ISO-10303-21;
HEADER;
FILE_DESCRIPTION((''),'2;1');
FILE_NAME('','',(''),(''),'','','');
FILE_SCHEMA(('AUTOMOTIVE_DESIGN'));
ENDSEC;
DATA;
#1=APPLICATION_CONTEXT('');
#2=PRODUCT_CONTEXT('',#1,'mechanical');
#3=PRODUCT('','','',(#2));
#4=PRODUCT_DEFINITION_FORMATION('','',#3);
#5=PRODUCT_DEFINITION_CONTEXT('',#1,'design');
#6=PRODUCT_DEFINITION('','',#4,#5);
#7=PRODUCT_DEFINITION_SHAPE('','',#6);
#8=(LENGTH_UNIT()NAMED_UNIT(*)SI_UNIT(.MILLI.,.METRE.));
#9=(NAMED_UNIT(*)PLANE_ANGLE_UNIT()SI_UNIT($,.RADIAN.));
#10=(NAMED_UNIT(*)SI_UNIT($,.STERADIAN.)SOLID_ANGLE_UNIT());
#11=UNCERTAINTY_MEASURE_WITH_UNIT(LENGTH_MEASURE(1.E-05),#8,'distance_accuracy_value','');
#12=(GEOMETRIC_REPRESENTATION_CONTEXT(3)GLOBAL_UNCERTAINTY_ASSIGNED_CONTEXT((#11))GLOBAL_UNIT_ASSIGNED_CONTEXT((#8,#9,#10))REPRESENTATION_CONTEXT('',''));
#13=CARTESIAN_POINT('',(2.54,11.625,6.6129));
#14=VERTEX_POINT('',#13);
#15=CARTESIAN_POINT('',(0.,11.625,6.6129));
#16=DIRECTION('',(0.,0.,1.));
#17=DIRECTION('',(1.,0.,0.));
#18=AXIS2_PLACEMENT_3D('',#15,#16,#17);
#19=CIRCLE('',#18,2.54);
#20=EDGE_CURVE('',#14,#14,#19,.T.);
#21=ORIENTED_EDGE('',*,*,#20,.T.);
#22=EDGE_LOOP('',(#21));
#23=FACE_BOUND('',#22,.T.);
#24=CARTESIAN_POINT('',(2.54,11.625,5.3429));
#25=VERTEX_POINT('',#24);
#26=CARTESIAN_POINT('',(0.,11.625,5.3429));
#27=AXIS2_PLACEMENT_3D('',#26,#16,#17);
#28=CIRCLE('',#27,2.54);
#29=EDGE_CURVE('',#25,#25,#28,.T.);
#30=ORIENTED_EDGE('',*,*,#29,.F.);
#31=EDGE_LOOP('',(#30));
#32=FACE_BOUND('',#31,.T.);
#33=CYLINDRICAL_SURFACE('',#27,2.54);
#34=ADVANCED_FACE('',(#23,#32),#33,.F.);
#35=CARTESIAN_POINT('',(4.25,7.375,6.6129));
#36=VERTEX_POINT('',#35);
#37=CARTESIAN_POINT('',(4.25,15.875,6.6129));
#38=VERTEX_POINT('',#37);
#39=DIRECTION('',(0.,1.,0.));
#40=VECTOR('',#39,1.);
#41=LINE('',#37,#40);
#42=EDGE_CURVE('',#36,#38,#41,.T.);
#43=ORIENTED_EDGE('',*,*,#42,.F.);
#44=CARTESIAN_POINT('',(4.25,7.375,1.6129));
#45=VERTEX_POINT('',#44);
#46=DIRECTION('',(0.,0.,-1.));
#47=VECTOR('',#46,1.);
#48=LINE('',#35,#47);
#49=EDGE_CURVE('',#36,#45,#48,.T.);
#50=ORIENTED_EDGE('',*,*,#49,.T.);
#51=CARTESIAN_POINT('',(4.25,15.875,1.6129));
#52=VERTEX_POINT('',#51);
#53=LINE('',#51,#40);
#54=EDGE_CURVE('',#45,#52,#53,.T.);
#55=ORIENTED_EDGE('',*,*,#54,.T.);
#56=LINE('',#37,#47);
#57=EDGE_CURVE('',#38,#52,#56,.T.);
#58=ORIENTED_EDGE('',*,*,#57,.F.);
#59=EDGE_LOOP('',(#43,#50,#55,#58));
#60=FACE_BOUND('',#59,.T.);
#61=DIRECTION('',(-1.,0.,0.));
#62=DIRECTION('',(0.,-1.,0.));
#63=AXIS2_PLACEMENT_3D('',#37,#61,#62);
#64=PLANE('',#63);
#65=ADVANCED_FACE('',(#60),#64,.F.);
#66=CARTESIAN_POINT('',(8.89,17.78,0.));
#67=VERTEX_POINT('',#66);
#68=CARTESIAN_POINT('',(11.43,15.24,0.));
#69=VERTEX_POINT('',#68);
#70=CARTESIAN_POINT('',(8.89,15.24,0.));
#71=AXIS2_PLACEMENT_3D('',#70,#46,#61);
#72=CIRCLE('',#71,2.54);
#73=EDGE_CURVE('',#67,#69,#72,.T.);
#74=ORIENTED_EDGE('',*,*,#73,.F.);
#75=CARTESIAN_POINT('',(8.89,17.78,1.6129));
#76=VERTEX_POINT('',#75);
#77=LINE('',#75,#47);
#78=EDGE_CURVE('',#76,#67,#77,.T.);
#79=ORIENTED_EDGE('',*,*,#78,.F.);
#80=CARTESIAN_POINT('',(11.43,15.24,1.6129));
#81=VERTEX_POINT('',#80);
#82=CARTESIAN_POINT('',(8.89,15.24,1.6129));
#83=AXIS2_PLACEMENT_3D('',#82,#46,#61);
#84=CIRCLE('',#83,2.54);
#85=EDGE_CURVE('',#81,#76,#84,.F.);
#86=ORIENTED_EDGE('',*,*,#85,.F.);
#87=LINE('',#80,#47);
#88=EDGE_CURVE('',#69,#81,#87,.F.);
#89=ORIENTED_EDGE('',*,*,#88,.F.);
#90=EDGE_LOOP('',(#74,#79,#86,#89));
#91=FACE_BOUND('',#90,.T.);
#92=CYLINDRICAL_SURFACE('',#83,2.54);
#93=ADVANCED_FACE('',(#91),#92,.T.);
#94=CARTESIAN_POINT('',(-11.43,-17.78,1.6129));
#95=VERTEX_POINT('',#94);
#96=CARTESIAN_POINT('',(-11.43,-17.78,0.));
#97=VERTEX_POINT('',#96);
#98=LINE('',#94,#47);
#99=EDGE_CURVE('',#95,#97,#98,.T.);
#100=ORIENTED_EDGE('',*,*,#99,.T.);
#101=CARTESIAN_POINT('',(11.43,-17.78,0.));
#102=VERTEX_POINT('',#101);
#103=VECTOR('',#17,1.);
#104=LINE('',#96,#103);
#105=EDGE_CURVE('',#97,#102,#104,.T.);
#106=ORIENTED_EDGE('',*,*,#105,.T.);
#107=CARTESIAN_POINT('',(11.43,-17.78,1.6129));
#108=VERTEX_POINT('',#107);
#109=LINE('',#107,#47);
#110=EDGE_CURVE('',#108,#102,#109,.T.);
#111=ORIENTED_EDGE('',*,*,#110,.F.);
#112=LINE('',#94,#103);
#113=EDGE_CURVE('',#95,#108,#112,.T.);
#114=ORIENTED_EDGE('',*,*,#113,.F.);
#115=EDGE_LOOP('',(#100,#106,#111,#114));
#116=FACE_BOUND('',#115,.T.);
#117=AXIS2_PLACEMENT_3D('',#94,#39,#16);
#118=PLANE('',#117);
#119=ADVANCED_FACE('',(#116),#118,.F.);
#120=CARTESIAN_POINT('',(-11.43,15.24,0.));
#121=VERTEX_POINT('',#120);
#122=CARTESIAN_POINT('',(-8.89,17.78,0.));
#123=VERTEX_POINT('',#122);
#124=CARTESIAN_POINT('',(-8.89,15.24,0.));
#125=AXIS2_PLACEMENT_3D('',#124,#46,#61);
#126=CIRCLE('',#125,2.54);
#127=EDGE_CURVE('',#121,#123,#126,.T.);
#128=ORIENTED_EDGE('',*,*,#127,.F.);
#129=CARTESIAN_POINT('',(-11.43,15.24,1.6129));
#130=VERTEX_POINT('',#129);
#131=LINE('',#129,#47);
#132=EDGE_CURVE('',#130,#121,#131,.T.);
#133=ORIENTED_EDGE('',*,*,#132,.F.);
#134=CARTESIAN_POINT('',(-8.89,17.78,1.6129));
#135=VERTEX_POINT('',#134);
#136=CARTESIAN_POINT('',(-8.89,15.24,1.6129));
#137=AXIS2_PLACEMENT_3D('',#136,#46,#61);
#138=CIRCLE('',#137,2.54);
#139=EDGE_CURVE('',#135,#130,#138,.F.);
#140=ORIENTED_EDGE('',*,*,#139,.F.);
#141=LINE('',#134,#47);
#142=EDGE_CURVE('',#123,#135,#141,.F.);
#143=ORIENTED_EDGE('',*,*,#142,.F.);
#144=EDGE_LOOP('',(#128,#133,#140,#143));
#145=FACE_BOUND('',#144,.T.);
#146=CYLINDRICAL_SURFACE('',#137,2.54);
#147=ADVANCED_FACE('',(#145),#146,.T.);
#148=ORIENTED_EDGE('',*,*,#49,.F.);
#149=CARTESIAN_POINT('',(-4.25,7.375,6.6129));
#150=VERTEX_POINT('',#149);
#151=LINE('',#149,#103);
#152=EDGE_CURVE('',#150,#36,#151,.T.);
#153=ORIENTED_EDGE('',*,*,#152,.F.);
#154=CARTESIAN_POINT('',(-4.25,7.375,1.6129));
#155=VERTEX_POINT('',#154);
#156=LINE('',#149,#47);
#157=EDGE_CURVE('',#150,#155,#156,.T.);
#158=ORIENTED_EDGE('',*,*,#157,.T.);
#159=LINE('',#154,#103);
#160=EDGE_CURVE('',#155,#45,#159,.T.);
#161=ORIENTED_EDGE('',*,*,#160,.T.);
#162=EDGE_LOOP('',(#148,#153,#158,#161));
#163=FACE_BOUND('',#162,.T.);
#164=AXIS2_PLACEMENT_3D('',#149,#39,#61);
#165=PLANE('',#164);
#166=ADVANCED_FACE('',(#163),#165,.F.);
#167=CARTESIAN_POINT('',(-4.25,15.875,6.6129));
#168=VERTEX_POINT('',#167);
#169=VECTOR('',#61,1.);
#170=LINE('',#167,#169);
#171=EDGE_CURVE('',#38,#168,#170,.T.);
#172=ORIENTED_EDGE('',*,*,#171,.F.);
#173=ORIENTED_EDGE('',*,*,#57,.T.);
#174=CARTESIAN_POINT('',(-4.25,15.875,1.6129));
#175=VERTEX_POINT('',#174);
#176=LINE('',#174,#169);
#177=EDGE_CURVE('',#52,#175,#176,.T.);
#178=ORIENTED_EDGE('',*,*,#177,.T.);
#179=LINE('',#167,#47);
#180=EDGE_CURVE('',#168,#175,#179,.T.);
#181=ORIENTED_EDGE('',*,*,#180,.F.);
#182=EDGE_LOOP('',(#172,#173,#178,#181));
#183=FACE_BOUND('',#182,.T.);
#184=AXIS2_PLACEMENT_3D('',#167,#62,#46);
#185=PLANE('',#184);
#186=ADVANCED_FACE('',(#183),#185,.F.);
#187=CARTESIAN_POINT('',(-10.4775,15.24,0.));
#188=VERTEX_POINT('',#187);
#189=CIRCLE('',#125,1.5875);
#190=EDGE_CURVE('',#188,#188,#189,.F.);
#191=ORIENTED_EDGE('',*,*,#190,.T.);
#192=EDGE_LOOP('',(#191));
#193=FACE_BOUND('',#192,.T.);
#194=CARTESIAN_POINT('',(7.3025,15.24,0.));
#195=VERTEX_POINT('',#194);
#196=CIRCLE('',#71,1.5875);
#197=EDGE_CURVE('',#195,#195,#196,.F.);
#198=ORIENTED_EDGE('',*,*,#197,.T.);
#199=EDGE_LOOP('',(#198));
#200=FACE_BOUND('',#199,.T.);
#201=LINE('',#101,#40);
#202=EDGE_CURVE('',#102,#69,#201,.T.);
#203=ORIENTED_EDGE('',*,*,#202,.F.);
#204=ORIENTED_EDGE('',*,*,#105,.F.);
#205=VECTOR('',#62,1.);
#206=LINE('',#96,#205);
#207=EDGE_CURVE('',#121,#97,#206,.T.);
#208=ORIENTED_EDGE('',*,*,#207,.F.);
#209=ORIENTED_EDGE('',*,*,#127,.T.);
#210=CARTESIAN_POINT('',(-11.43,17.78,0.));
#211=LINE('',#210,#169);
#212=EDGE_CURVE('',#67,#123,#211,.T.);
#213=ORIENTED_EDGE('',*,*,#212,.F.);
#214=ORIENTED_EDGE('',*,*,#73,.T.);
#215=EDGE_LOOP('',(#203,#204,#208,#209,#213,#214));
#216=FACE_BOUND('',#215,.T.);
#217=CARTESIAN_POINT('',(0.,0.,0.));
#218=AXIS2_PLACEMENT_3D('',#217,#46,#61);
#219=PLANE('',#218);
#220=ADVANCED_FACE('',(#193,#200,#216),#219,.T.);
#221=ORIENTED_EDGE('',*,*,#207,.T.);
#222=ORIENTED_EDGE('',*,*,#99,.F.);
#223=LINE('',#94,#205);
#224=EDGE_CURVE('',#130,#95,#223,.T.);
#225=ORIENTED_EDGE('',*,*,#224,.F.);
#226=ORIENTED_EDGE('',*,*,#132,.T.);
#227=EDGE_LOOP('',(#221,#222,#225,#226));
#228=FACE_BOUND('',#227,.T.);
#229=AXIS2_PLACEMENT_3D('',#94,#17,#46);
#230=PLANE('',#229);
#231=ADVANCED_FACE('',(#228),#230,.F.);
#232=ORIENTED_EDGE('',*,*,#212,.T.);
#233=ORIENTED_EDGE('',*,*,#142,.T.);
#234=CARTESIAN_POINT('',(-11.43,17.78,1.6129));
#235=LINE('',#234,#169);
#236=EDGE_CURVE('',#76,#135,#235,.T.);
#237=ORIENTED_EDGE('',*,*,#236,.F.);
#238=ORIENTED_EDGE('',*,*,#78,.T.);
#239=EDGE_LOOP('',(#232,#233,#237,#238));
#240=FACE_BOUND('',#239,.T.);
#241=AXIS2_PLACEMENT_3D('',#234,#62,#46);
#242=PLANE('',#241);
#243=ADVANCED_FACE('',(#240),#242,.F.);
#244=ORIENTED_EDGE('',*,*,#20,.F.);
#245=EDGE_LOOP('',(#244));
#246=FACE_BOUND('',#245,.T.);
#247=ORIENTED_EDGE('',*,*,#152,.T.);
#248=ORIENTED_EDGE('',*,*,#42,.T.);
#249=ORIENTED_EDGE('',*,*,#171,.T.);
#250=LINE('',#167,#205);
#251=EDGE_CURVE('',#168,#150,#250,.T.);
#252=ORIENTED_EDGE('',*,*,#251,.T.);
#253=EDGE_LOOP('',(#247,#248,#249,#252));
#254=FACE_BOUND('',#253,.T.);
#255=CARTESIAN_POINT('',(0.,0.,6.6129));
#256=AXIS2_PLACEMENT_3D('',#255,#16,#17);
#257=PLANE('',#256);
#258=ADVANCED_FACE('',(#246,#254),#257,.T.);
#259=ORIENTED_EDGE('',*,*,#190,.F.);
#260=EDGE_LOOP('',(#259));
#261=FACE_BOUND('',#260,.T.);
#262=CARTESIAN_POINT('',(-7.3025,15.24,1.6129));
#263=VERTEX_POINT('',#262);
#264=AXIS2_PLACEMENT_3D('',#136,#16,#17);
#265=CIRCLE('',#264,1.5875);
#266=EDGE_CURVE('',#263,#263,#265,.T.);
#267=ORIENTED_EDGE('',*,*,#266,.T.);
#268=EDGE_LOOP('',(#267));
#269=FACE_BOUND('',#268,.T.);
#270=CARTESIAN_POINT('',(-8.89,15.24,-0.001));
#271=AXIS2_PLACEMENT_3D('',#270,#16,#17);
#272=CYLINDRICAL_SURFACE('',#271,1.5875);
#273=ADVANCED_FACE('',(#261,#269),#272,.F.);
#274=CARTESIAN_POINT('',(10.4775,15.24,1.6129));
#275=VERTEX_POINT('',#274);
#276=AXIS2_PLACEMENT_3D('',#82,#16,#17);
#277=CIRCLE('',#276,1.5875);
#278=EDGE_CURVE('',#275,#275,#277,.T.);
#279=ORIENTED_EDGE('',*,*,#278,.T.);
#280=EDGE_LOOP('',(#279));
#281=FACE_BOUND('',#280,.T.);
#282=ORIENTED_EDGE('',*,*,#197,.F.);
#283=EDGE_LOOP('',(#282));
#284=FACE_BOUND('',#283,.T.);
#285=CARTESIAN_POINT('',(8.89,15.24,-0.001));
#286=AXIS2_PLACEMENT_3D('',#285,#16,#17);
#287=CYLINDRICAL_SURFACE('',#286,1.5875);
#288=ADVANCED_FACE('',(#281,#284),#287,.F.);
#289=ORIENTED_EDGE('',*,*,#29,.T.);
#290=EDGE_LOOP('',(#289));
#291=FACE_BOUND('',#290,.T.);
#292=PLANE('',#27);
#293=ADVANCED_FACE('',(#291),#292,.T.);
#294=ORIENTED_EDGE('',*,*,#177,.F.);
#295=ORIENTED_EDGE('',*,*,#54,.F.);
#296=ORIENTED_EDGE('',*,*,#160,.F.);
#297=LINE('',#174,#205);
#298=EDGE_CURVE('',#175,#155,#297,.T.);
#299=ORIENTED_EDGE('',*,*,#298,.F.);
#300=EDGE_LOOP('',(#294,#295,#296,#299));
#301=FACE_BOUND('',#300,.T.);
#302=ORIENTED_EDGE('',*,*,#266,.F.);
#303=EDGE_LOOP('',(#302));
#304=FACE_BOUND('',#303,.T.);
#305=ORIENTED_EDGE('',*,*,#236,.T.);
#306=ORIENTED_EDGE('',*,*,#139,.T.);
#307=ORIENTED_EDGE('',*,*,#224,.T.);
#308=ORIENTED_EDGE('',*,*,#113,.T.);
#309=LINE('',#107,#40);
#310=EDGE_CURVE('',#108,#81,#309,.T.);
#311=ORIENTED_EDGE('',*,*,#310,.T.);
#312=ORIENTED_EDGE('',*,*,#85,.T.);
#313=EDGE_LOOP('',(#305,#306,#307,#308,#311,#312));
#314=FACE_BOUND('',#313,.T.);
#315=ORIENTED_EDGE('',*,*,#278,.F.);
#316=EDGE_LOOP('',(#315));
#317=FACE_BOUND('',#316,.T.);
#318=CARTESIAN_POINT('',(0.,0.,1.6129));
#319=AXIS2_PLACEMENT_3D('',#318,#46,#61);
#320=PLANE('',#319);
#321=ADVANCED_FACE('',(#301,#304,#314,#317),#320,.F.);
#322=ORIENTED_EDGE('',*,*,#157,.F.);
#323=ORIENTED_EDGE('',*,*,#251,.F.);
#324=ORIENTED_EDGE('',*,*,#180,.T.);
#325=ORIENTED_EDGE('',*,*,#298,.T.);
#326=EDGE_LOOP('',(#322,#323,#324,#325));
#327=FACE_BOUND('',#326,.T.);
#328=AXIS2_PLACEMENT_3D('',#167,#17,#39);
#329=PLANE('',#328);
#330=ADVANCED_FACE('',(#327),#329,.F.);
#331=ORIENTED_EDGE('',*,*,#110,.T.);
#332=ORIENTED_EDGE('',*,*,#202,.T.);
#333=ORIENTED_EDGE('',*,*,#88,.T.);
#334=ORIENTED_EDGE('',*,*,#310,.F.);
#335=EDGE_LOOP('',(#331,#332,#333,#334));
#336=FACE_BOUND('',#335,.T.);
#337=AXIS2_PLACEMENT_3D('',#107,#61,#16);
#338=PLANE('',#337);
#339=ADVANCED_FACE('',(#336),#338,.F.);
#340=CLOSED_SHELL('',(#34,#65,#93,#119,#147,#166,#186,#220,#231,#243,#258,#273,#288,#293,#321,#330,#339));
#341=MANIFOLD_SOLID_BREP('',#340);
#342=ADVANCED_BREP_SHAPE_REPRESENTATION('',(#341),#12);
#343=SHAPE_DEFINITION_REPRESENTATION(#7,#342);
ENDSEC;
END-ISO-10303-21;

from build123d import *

# Parameters (mm, degrees)
SKETCH1_W           = 22.86
SKETCH1_H           = 35.56
BOSS_EXTRUDE1_DEPTH = 1.6129
FILLET1_R           = 2.54
SKETCH2_W           = 8.5
SKETCH2_H           = 8.5
BOSS_EXTRUDE2_DEPTH = 5
CUT_EXTRUDE1_REACH  = 3.613
SKETCH3_R           = 1.5875
SKETCH4_R           = 2.54
CUT_EXTRUDE2_DEPTH  = 1.27


with BuildPart() as part:
    # Sketch1 → Boss-Extrude1 (new body)
    with BuildSketch(Plane.XY):
        Rectangle(SKETCH1_W, SKETCH1_H)
    extrude(amount=BOSS_EXTRUDE1_DEPTH)

    # Fillet1
    fillet1_edges = [part.edges().sort_by_distance(p)[0] for p in [
        (-11.43, 17.78, 0.80645),
        (11.43, 17.78, 0.80645),
    ]]
    fillet(fillet1_edges, radius=FILLET1_R)

    # Sketch2 → Boss-Extrude2 (add)
    with BuildSketch(Plane.XY.offset(1.6129)):
        with Locations((0, 11.625)):
            Rectangle(SKETCH2_W, SKETCH2_H)
    extrude(amount=BOSS_EXTRUDE2_DEPTH)

    # Sketch3 → Cut-Extrude1 (cut, up to next)
    with BuildSketch(Plane.XY.offset(1.6129), mode=Mode.PRIVATE) as cut_extrude1_sk1:
        with Locations((-8.89, 15.24)):
            Circle(SKETCH3_R)
    cut_extrude1_tool1 = extrude(cut_extrude1_sk1.sketch, amount=-CUT_EXTRUDE1_REACH, mode=Mode.PRIVATE) & part.part
    add(cut_extrude1_tool1.solids().sort_by_distance((-8.89, 15.24, 1.6129))[0], mode=Mode.SUBTRACT)
    # Sketch3 → Cut-Extrude1 (cut, up to next)
    with BuildSketch(Plane.XY.offset(1.6129), mode=Mode.PRIVATE) as cut_extrude1_sk2:
        with Locations((8.89, 15.24)):
            Circle(SKETCH3_R)
    cut_extrude1_tool2 = extrude(cut_extrude1_sk2.sketch, amount=-CUT_EXTRUDE1_REACH, mode=Mode.PRIVATE) & part.part
    add(cut_extrude1_tool2.solids().sort_by_distance((8.89, 15.24, 1.6129))[0], mode=Mode.SUBTRACT)

    # Sketch4 → Cut-Extrude2 (cut)
    with BuildSketch(Plane.XY.offset(6.6129)):
        with Locations((0, 11.625)):
            Circle(SKETCH4_R)
    extrude(amount=-CUT_EXTRUDE2_DEPTH, mode=Mode.SUBTRACT)


solid = part.part
